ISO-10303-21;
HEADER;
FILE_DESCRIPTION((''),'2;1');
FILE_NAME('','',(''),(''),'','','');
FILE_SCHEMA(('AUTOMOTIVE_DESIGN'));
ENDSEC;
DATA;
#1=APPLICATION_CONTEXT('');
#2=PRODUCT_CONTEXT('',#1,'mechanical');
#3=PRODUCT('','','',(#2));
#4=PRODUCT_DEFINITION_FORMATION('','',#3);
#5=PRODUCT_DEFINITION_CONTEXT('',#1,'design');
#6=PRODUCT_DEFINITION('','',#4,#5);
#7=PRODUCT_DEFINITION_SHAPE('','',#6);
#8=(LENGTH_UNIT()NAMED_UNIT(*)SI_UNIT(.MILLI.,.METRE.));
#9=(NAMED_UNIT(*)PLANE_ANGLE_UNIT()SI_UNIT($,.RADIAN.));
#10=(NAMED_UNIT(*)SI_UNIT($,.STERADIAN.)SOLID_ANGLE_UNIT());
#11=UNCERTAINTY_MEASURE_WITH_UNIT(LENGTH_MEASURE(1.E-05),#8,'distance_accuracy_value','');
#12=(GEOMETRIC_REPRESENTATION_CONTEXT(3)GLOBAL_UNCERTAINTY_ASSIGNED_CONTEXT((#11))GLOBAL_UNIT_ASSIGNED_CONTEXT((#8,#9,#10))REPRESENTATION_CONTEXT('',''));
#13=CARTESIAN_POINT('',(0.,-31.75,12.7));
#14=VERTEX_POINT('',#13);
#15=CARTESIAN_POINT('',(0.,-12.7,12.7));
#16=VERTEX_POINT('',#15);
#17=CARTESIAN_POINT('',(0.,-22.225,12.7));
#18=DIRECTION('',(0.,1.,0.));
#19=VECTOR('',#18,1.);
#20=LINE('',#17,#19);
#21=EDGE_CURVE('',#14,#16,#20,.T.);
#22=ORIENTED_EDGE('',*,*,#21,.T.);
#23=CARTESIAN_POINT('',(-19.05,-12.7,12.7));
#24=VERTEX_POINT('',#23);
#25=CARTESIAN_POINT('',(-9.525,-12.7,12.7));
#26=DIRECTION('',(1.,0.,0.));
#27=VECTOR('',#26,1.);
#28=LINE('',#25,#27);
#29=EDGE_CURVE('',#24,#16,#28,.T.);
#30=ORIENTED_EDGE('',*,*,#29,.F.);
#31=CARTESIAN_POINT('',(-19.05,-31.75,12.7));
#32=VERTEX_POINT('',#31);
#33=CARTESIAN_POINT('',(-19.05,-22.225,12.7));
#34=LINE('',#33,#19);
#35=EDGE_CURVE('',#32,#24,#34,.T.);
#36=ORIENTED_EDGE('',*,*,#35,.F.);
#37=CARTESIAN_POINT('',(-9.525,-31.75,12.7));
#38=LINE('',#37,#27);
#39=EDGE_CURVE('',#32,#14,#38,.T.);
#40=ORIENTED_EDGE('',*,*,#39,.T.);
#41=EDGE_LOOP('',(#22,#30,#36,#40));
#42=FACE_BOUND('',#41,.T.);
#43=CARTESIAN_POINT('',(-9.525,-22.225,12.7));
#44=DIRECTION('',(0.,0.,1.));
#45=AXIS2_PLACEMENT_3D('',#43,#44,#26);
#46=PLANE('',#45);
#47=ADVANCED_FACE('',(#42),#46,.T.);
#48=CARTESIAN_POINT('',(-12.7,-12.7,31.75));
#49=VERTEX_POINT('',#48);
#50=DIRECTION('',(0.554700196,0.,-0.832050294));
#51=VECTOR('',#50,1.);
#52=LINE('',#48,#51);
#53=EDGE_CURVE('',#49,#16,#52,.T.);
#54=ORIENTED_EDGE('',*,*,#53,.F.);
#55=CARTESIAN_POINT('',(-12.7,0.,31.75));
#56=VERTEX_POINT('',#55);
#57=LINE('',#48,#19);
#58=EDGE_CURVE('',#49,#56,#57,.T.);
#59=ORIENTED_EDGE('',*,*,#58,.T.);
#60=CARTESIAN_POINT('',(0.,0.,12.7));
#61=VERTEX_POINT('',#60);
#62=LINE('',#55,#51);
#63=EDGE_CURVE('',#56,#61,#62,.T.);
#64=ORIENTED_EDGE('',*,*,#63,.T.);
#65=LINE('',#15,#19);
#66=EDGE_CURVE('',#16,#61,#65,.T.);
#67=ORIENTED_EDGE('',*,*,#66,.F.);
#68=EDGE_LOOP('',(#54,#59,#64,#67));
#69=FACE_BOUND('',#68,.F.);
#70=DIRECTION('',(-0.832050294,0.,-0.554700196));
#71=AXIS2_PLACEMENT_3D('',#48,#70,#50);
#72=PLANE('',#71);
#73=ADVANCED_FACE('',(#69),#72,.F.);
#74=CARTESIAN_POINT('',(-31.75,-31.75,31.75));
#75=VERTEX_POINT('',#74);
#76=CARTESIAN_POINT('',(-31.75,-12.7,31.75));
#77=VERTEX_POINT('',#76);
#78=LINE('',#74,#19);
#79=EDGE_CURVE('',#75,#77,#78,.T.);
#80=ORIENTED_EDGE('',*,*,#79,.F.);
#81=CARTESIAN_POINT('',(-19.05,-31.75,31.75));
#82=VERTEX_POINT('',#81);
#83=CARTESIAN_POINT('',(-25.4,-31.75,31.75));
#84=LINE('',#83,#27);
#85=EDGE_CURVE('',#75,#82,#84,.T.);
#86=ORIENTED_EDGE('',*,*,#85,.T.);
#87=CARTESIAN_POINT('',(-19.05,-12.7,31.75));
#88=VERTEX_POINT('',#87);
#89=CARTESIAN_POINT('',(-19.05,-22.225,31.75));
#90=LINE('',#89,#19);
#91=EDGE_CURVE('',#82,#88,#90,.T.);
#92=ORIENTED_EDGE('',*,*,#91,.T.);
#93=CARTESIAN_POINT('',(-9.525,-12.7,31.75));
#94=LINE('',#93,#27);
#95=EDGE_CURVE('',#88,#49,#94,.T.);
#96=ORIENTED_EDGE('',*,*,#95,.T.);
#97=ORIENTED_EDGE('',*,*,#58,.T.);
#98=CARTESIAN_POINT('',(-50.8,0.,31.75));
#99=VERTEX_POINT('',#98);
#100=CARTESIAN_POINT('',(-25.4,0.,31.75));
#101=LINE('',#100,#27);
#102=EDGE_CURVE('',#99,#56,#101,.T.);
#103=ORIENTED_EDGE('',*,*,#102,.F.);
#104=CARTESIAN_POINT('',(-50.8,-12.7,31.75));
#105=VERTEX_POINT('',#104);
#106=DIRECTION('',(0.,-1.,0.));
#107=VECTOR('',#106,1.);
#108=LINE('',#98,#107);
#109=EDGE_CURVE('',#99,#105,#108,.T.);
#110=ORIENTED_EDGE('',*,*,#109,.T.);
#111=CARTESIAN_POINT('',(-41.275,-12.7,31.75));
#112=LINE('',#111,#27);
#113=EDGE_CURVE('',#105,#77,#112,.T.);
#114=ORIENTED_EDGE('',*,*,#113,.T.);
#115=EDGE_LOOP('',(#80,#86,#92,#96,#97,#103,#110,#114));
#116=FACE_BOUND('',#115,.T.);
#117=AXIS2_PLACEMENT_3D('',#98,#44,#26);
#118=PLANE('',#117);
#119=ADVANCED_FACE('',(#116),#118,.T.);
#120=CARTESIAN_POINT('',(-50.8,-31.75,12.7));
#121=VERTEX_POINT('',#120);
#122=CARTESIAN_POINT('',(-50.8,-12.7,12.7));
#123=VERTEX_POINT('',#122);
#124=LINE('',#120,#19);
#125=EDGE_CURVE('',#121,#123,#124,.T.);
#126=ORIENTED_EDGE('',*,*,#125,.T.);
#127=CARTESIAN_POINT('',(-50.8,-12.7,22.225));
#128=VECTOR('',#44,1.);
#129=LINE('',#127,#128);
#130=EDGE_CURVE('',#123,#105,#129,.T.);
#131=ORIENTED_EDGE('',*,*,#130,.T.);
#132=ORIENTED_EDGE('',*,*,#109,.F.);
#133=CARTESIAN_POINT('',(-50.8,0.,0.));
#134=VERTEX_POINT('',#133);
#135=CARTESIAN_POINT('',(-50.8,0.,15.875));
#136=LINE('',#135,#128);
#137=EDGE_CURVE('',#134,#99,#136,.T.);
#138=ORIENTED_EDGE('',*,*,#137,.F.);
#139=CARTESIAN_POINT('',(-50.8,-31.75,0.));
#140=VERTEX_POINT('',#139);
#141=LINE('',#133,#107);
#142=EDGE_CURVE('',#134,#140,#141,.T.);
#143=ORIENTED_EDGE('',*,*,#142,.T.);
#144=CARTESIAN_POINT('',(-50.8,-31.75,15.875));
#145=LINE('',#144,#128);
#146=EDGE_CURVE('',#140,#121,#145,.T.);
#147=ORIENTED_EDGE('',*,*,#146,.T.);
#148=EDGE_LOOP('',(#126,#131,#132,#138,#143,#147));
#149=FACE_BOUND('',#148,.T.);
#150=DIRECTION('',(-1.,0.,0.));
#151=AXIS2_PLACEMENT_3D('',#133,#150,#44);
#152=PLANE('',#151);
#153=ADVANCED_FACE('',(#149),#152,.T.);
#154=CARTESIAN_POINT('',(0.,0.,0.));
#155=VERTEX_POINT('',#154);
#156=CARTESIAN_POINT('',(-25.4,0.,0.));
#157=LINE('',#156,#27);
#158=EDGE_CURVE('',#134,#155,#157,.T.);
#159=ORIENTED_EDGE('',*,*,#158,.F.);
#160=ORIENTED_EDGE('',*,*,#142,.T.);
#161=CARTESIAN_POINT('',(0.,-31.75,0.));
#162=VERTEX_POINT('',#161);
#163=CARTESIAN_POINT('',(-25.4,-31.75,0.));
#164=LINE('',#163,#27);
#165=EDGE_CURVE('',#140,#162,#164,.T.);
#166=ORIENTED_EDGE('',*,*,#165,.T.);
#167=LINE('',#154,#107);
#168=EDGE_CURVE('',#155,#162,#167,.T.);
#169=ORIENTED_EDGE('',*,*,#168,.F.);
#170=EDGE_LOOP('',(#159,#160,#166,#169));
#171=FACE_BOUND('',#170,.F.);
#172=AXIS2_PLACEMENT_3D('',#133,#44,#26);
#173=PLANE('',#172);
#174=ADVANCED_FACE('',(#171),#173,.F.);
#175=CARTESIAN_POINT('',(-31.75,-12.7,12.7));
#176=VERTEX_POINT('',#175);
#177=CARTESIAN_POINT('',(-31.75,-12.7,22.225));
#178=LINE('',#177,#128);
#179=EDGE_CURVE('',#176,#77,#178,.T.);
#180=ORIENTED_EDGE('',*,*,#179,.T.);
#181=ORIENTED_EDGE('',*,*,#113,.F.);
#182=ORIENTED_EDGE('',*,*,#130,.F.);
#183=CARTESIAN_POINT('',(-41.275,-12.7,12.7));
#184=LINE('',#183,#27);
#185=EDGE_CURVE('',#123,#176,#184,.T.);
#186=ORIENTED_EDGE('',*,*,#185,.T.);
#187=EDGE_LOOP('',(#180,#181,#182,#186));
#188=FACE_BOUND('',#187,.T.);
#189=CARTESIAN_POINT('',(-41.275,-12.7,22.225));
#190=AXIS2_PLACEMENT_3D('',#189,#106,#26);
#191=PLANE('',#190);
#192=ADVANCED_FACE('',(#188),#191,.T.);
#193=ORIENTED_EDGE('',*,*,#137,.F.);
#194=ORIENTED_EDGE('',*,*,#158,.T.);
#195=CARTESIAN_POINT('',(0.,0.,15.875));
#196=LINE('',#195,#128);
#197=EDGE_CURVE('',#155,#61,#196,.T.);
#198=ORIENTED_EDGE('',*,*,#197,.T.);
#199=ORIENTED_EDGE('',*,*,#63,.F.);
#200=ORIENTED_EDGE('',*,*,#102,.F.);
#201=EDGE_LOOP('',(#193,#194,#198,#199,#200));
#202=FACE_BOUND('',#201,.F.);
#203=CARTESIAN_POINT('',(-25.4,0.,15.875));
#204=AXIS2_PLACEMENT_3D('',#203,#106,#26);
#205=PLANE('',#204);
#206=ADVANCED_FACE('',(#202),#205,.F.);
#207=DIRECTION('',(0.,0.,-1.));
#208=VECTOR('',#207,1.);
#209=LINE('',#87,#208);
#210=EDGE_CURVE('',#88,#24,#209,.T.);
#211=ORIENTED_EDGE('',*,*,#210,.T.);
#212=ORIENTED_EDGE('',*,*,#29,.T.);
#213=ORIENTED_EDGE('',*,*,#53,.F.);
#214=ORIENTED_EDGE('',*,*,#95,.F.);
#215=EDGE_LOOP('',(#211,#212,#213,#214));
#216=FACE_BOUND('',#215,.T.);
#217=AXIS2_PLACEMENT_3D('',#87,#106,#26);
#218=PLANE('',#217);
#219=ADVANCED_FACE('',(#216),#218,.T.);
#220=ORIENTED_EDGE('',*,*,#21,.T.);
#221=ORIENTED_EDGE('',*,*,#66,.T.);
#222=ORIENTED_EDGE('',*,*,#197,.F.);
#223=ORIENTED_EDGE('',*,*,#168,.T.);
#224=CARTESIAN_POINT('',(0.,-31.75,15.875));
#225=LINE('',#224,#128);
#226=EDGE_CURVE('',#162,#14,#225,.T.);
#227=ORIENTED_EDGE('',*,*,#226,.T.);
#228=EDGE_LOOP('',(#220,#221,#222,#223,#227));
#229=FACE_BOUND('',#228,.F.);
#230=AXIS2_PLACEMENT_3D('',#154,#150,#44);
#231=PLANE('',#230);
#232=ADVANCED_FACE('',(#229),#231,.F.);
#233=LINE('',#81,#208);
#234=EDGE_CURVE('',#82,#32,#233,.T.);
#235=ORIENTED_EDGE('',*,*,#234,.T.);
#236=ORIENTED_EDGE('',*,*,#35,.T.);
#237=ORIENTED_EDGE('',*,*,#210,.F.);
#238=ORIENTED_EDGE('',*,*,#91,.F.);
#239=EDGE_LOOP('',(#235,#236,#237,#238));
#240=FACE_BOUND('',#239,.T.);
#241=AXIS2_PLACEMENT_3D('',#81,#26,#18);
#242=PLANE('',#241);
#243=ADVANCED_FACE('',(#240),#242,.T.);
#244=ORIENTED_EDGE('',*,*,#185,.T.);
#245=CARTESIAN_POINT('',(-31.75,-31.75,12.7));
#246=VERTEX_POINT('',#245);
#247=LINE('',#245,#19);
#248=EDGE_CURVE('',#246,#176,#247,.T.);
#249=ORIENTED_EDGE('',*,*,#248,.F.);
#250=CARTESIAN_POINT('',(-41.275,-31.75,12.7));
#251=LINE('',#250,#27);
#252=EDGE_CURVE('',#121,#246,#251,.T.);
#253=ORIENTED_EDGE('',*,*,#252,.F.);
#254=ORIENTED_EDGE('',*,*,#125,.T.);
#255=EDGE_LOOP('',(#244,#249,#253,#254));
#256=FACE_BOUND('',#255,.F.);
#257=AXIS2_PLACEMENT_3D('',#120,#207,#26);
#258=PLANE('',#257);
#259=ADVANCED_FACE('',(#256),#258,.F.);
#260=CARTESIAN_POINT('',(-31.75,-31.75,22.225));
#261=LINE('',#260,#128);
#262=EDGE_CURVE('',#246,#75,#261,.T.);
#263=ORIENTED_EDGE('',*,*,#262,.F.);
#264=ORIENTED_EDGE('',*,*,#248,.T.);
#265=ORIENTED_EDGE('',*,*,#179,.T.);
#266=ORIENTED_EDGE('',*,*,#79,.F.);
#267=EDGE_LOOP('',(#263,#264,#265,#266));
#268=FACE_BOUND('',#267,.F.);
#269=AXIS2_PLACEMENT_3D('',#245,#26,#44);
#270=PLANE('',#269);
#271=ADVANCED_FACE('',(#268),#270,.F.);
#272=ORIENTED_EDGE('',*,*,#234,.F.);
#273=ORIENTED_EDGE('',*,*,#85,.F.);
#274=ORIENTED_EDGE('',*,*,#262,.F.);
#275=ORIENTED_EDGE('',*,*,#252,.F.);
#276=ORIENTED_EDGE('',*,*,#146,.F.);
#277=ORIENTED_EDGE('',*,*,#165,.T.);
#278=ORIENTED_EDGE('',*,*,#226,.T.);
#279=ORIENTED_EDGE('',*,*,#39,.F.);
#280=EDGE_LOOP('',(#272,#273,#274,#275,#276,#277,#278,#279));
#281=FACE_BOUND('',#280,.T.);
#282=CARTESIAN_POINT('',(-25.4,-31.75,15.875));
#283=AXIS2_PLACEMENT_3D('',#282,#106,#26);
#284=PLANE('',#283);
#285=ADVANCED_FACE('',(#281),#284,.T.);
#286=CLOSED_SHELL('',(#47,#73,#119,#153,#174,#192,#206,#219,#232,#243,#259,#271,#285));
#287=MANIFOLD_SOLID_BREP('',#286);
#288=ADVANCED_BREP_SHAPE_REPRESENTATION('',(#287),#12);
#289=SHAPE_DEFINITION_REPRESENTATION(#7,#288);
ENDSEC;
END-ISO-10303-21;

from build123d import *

# Parameters (mm, degrees)
F0_W     = 50.8
F0_H     = 31.75
F1_DEPTH = 31.75
F2_W     = 19.05
F2_H     = 19.05
F3_DEPTH = 19.05
F4_W     = 19.05
F4_H     = 19.05
F5_DEPTH = 19.05
F7_DEPTH = 12.7


with BuildPart() as f1:
    # F0 (on Front) → F1 (new body)
    with BuildSketch(Plane.XZ):
        with Locations((-25.4, 15.875)):
            Rectangle(F0_W, F0_H)
    extrude(amount=F1_DEPTH)

    # F2 (on face) → F3 (cut)
    with BuildSketch(Plane.XY.offset(31.75)):
        with Locations((-9.525, -22.225)):
            Rectangle(F2_W, F2_H)
    extrude(amount=-F3_DEPTH, mode=Mode.SUBTRACT)

    # F4 (on face) → F5 (cut)
    with BuildSketch(Plane.XZ.offset(31.75)):
        with Locations((-41.275, 22.225)):
            Rectangle(F4_W, F4_H)
    extrude(amount=-F5_DEPTH, mode=Mode.SUBTRACT)

    # F6 (on face) → F7 (cut)
    with BuildSketch(Plane.XZ.offset(12.7)):
        Polygon((0, 31.75), (-12.7, 31.75), (0, 12.7), align=None)
    extrude(amount=-F7_DEPTH, mode=Mode.SUBTRACT)


solid = f1.part
